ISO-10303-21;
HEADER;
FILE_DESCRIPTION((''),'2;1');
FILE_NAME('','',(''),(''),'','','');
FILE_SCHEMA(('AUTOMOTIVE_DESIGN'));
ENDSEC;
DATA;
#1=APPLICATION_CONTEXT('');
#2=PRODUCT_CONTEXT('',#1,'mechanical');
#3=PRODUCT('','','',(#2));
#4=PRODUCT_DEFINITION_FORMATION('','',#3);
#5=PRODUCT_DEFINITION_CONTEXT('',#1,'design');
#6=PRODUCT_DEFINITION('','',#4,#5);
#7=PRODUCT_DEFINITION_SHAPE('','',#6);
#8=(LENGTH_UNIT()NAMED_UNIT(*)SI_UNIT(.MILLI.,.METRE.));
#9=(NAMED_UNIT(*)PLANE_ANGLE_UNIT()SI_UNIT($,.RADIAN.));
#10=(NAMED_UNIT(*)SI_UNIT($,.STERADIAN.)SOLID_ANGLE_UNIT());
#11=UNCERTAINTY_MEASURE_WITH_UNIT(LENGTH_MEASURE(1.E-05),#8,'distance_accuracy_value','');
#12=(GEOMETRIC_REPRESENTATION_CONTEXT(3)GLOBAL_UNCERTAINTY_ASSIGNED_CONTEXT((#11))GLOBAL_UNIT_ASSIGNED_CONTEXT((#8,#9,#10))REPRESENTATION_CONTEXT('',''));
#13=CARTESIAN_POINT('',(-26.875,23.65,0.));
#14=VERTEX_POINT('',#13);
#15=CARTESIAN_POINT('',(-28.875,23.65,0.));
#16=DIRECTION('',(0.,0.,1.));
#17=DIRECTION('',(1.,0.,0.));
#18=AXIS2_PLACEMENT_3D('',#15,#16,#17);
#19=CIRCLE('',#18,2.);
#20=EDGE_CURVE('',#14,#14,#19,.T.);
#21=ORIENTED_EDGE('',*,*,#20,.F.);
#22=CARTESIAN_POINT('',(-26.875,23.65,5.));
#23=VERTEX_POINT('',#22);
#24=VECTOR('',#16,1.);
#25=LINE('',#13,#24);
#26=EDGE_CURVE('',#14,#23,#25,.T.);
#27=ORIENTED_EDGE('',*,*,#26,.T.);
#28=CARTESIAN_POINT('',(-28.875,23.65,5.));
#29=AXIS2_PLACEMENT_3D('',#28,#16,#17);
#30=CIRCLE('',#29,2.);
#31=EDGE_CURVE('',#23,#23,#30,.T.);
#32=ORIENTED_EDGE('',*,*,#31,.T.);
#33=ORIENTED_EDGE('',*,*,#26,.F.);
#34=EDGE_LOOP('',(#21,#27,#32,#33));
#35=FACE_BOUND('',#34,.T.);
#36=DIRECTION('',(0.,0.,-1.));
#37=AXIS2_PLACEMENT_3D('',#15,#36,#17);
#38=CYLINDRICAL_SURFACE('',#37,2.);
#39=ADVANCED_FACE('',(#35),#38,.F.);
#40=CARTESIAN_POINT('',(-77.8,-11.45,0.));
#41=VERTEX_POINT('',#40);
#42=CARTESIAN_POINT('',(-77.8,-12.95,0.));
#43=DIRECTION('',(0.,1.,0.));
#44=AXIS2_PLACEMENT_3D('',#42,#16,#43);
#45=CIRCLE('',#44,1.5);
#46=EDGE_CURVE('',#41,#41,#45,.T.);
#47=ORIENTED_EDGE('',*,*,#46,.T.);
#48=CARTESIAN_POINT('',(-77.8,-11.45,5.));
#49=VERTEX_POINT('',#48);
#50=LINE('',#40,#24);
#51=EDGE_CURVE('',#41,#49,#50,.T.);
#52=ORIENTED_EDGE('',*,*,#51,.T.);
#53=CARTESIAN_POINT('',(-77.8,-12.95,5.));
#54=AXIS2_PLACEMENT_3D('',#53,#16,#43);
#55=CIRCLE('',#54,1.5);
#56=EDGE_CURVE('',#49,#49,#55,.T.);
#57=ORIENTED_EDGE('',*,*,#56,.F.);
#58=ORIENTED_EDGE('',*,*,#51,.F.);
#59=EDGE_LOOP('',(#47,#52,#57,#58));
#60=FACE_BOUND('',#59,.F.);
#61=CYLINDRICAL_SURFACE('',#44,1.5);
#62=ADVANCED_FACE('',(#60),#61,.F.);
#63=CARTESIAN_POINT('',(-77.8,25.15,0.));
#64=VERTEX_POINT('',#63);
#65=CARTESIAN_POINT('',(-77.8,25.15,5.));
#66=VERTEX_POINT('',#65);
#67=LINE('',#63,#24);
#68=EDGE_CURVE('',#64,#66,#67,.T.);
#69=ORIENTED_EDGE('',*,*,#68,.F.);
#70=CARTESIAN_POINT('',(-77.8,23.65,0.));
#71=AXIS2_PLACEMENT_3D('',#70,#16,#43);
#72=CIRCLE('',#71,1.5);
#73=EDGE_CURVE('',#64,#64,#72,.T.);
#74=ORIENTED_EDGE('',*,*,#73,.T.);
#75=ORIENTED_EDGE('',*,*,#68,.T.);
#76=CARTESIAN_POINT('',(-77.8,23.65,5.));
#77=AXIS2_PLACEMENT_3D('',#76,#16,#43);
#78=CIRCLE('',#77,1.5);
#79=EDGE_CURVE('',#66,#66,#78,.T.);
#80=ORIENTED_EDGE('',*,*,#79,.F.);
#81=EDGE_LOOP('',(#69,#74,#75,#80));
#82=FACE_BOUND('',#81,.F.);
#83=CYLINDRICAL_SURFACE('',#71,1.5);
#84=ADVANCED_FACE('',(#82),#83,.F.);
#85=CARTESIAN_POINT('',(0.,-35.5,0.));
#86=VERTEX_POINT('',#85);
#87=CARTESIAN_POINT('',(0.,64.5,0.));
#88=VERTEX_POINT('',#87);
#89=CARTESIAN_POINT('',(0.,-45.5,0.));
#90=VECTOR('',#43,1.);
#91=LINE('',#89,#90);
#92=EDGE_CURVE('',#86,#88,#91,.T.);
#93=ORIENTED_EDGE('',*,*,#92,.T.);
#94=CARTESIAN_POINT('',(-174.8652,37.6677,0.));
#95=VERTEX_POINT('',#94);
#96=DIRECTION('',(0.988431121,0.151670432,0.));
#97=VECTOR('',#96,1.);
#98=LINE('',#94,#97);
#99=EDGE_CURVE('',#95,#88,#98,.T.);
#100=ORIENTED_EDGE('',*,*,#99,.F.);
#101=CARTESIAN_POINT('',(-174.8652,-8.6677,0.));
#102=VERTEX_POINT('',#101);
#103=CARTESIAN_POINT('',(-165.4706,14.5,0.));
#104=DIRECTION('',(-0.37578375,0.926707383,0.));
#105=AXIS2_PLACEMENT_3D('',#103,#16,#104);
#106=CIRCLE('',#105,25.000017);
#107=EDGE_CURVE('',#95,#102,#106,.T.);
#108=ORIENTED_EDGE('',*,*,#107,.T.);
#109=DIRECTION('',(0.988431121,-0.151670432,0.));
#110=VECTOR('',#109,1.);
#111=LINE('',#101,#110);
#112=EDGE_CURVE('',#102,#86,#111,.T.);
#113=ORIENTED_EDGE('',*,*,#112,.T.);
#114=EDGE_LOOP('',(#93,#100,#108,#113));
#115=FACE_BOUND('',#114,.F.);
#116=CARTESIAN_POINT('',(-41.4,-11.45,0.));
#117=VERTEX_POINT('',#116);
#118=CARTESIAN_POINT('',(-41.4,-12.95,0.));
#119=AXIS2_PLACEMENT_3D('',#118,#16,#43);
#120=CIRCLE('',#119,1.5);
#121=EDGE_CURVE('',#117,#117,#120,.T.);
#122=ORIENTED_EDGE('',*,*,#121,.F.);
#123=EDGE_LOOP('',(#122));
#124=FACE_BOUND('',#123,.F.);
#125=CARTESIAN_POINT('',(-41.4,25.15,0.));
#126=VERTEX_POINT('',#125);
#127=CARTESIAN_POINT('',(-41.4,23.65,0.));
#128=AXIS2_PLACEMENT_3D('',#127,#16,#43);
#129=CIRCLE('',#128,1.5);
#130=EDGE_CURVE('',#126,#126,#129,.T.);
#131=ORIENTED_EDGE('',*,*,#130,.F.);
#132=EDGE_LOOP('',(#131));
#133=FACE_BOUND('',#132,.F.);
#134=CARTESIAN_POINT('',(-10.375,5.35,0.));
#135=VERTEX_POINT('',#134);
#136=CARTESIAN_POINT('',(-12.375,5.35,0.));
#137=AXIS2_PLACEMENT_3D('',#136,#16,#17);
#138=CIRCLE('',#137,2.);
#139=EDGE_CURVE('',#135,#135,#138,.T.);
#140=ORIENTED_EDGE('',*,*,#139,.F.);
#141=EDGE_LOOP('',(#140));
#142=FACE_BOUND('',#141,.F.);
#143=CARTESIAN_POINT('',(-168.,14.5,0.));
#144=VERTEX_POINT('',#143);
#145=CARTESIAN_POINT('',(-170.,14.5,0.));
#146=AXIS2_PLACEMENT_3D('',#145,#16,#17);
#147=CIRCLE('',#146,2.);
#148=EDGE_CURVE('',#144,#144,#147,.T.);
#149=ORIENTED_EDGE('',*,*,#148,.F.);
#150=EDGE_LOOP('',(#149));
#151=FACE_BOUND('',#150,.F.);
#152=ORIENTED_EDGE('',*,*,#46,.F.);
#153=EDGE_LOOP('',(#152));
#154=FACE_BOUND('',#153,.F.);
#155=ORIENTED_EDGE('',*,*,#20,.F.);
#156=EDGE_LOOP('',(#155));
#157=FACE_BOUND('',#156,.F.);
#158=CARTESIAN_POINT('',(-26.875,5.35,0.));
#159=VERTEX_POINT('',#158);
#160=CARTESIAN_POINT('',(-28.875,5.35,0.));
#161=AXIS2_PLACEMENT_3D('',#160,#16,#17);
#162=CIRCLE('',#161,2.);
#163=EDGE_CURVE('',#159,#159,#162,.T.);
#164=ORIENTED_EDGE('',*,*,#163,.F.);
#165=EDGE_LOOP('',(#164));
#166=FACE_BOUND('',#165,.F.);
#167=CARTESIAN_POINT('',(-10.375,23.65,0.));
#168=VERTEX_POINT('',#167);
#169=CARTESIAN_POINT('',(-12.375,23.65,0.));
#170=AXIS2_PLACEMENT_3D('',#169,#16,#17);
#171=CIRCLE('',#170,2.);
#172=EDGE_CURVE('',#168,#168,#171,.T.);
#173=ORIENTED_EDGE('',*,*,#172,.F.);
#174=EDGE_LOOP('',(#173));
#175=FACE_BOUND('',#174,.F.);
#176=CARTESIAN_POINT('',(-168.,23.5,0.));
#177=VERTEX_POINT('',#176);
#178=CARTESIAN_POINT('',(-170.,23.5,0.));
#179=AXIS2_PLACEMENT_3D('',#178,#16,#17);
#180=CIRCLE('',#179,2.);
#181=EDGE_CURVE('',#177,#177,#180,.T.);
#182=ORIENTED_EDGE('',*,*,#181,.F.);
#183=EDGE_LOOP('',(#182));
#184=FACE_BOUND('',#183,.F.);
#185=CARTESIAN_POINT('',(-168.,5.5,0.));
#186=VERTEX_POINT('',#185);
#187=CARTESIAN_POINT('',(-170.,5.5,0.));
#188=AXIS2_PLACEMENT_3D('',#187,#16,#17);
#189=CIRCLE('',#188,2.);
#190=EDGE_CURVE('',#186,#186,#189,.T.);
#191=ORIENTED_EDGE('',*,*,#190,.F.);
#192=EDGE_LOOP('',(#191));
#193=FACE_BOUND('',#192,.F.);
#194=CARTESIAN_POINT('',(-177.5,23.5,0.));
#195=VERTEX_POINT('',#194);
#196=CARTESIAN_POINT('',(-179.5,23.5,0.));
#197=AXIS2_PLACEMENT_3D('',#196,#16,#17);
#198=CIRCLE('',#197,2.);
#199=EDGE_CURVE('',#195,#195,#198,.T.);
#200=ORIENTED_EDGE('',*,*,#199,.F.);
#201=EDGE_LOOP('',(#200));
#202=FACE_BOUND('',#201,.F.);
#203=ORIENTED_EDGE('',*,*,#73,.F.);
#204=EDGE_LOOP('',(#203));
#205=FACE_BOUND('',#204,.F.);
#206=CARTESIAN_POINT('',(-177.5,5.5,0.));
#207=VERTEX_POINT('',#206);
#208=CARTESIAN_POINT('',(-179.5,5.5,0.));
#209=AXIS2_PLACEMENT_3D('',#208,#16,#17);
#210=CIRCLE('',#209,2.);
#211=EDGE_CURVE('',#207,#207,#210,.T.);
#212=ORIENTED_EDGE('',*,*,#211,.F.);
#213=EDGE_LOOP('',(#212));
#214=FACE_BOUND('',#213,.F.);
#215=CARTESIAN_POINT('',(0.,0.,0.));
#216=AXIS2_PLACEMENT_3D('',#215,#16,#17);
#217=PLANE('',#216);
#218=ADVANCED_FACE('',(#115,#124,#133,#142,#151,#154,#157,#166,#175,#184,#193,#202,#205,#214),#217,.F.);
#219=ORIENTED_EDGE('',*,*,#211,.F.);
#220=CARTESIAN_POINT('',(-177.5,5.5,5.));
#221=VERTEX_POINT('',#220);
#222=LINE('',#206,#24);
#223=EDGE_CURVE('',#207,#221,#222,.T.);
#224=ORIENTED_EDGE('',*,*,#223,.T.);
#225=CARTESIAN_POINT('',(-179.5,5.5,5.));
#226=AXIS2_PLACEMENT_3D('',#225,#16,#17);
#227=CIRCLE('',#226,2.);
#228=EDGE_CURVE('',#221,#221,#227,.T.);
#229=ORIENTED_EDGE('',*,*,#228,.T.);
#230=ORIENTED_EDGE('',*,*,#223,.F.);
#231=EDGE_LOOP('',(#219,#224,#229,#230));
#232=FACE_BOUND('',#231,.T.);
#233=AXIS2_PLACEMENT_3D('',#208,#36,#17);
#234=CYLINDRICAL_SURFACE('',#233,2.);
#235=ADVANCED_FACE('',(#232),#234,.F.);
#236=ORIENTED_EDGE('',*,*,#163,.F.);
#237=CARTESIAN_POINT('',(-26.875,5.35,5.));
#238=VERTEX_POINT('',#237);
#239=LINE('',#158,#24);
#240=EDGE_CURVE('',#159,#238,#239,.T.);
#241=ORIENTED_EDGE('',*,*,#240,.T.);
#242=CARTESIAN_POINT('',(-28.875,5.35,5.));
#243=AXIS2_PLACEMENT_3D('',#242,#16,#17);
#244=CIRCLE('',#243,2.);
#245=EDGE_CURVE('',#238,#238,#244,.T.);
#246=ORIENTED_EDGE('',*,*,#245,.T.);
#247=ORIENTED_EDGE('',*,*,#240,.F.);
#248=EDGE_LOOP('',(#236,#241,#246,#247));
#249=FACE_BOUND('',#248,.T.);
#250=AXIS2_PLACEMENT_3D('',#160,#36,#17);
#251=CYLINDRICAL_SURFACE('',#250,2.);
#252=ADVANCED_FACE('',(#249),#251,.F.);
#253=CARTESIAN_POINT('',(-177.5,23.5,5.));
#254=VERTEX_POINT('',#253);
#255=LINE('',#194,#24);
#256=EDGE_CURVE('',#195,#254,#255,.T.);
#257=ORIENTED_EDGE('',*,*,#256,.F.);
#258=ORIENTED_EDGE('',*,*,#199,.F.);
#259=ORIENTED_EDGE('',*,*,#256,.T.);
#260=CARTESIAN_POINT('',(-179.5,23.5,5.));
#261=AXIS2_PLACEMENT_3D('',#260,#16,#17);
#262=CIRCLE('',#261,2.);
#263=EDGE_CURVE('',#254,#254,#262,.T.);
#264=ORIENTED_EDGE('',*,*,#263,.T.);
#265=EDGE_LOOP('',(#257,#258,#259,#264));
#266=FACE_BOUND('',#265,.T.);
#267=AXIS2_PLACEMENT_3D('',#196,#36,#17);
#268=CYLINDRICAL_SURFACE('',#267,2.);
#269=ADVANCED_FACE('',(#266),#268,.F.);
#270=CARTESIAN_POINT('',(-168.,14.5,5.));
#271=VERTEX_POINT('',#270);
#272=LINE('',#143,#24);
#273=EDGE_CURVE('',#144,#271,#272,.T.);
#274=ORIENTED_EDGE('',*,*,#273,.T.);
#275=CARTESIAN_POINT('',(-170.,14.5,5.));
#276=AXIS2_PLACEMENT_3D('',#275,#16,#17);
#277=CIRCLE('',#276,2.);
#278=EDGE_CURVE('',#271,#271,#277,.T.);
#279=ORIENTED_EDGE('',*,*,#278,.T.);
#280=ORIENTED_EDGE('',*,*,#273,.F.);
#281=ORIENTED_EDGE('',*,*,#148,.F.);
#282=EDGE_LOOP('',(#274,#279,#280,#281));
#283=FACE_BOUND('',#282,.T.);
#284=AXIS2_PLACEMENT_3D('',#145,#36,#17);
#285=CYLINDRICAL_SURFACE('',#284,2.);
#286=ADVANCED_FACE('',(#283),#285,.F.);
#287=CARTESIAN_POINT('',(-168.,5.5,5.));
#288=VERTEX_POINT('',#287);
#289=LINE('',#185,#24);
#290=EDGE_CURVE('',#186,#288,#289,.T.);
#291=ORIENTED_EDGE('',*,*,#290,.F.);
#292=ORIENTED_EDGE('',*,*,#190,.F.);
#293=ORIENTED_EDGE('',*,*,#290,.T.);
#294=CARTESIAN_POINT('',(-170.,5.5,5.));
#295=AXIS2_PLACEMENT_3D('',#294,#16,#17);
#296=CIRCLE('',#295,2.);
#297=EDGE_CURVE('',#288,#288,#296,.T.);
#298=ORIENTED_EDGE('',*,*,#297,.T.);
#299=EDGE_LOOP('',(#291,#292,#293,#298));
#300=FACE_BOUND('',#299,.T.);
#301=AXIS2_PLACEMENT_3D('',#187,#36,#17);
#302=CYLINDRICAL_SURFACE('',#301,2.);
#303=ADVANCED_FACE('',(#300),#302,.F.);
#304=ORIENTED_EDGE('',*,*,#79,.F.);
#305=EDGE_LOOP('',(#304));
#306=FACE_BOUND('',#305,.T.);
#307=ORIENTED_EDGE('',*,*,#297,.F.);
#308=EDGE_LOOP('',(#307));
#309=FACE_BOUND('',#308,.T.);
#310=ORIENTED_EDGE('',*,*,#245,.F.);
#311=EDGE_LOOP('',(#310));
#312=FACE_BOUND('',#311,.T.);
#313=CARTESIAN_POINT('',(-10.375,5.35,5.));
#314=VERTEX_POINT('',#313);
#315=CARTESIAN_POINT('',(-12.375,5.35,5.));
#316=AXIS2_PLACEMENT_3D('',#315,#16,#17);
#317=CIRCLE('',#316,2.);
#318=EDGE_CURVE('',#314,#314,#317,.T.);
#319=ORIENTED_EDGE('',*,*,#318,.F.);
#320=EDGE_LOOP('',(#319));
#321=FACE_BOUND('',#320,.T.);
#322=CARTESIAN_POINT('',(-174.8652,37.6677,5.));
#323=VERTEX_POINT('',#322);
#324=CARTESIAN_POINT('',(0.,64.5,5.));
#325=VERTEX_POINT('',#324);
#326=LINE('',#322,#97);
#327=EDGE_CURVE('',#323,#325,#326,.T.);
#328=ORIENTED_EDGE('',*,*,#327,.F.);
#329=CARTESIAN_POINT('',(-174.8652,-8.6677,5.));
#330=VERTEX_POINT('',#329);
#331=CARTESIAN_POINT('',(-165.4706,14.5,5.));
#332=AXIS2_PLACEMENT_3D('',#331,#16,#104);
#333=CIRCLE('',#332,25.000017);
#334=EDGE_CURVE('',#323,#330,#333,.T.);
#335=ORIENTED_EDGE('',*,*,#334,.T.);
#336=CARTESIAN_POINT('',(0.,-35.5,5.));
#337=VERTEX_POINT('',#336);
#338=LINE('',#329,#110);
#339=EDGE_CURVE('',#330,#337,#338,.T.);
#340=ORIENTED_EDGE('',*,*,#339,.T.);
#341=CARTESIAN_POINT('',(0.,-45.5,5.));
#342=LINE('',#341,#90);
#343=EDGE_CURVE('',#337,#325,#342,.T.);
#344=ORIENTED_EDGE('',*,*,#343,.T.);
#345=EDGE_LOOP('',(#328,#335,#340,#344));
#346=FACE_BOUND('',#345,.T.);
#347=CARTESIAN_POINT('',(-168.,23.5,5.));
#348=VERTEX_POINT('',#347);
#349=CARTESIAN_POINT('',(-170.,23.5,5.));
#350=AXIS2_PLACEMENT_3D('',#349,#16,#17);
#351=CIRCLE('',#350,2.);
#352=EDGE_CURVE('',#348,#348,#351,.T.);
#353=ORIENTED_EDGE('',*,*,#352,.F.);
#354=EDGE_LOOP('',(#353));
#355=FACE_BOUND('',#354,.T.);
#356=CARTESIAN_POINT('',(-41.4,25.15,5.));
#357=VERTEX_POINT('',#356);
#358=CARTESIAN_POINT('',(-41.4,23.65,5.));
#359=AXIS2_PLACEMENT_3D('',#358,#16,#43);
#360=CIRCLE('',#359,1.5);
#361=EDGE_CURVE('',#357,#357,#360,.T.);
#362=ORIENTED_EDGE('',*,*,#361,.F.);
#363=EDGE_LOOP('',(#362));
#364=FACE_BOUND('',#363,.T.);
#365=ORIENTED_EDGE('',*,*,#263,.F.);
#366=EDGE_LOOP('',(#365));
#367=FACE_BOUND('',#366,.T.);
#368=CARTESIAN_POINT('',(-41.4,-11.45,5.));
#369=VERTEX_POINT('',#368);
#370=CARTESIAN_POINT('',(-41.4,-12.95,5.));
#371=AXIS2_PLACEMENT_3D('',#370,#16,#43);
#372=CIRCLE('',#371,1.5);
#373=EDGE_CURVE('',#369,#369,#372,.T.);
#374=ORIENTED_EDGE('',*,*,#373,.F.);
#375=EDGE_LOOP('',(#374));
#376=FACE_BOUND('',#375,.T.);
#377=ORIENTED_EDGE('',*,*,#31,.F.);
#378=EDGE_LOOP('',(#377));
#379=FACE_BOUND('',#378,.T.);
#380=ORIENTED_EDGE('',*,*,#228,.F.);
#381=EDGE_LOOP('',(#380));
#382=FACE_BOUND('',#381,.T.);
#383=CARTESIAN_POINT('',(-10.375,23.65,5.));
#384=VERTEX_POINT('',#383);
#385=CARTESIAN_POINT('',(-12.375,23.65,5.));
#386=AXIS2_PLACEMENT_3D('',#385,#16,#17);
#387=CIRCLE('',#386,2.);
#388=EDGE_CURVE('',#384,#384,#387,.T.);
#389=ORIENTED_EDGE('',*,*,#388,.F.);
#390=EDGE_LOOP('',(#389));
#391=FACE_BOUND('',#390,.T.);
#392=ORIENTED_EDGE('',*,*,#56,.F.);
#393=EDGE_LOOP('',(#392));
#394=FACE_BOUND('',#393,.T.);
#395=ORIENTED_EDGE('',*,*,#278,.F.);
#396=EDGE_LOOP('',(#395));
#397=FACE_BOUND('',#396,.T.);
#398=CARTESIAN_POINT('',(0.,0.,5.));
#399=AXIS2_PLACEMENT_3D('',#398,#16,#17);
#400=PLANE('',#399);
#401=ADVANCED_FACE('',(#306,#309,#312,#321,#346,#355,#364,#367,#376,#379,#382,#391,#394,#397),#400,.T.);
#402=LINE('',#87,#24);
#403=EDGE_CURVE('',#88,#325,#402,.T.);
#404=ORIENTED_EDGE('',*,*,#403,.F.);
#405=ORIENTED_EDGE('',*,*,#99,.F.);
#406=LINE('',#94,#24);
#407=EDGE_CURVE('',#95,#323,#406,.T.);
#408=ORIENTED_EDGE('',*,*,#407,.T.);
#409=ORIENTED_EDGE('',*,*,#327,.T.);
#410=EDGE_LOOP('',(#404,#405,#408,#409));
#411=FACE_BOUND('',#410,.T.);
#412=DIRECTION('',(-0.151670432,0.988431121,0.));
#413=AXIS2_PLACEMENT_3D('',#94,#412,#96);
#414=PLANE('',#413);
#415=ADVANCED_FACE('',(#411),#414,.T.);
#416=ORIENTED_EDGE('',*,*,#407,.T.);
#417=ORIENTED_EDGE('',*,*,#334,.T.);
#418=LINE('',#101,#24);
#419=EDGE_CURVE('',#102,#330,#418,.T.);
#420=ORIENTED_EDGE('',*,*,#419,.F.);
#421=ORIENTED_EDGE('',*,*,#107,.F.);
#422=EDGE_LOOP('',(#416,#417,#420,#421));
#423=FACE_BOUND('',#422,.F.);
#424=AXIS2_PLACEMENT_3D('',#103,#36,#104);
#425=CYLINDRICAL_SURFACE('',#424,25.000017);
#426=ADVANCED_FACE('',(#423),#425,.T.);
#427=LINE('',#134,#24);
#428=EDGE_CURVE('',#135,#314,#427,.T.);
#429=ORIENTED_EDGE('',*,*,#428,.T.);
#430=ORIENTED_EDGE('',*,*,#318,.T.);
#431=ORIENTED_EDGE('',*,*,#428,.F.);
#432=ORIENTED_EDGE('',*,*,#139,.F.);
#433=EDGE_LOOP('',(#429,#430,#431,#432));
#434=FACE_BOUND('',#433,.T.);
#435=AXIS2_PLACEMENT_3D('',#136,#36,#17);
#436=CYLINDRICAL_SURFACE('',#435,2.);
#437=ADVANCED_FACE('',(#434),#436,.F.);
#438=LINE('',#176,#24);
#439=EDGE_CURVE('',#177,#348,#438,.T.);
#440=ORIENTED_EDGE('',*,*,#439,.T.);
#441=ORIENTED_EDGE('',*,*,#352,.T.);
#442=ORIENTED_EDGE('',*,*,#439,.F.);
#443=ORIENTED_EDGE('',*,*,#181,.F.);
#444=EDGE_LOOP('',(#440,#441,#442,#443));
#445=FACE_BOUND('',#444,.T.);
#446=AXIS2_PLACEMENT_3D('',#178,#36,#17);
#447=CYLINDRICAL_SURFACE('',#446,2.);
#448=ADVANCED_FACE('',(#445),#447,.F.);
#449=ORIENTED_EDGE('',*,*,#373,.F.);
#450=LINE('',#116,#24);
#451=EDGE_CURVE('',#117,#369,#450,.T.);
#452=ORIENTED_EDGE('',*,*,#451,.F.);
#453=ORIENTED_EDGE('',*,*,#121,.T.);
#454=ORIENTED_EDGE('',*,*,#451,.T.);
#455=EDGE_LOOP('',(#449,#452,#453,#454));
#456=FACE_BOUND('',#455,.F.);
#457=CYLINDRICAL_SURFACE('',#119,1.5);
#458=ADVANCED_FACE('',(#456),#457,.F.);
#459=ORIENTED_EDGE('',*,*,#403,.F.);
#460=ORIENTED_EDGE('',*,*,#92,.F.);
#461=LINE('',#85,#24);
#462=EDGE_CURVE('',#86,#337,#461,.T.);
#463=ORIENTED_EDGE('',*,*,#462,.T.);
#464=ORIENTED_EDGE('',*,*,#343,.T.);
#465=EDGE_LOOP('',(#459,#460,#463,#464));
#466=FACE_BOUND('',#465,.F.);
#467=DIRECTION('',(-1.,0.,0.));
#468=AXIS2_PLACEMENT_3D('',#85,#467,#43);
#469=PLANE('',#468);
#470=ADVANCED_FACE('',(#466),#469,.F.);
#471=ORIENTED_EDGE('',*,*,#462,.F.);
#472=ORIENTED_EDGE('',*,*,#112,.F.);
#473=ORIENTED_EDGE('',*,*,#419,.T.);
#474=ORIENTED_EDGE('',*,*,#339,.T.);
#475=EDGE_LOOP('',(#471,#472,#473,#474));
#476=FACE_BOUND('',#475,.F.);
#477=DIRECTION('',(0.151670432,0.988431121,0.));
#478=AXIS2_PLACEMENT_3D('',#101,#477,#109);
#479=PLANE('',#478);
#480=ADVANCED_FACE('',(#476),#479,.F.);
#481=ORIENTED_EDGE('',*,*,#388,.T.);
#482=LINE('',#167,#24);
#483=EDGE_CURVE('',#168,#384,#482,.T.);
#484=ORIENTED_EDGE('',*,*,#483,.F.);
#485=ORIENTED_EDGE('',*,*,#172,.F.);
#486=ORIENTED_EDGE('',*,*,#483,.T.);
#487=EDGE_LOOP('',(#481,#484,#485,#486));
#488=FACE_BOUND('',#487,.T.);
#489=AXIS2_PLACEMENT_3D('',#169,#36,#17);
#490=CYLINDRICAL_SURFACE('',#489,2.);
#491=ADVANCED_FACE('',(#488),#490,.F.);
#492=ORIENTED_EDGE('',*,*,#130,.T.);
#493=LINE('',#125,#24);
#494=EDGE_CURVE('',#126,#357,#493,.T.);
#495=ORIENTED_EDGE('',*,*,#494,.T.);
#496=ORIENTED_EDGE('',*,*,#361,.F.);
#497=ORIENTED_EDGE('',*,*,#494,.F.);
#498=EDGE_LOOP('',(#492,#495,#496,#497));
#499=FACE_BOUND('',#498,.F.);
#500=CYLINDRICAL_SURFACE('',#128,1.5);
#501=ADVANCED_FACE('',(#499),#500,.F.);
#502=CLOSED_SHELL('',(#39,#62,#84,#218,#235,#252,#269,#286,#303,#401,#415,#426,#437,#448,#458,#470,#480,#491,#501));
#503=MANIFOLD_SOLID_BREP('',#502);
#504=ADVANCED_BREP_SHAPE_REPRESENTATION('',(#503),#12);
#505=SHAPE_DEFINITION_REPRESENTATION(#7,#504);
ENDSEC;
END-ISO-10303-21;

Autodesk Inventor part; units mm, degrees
ref_plane "YZ Plane" through (0, 0, 0) normal (1, 0, 0) x (0, 1, 0)
ref_plane "XZ Plane" through (0, 0, 0) normal (0, 1, 0) x (-1, 0, 0)
ref_plane "XY Plane" through (0, 0, 0) normal (0, 0, 1) x (1, 0, 0)
sketch "Sketch1" plane through (0, 0, 0) normal (0, 0, 1) x (1, 0, 0)
  line L0 (0, -45.5) -> (0, 74.5) projected
  line L1 (0, -35.5) -> (0, 64.5)
  arc A0 (-174.8652, 37.6677) -> (-174.8652, -8.6677) centre (-165.4706, 14.5) ccw
  line L2 (-174.8652, -8.6677) -> (0, -35.5)
  line L3 (-174.8652, 37.6677) -> (0, 64.5)
  circle A1 centre (-179.5, 5.5) radius 2
  circle A2 centre (-179.5, 23.5) radius 2
  circle A3 centre (-170, 23.5) radius 2
  circle A4 centre (-170, 5.5) radius 2
  circle A5 centre (-28.875, 23.65) radius 2 projected
  circle A6 centre (-28.875, 5.35) radius 2 projected
  circle A7 centre (-12.375, 5.35) radius 2 projected
  circle A8 centre (-12.375, 23.65) radius 2 projected
  circle A9 centre (-170, 14.5) radius 2
  point P0 (-12.375, 14.5)
  point P1 (0, 29)
  dimension "d0" = 100
  dimension "d1" = 50
  dimension "d24" = 50
  dimension "d25" = 25
  dimension "d27" = 0
  dimension "d28" = 9
  dimension "d29" = 9
  dimension "d30" = 4
  dimension "d31" = 0
  dimension "d32" = 0
  dimension "d33" = 165.4706
extrude "Extrusion1" add sketch "Sketch1" along normal blind 5
sketch "Sketch2" plane through (0, 0, 0) normal (0, 0, -1) x (-1, 0, 0)
  circle A0 centre (28.875, 23.65) radius 2 projected
  line L0 (0, 74.5) -> (0, -45.5)
  line L1 (38, -15.9446) -> (38, 27.4554)
  circle A1 centre (41.4, 23.65) radius 1.5
  circle A2 centre (41.4, -12.95) radius 1.5
  line L2 (59.6, 45.3727) -> (59.6, -35.5339) construction
  circle A3 centre (77.8, 23.65) radius 1.5
  circle A4 centre (77.8, -12.95) radius 1.5
  point P0 (0, 0)
  dimension "d7" = 3.4
  dimension "d8" = 3
  dimension "d9" = 0
  dimension "d10" = 3
  dimension "d11" = 36.6
  dimension "d12" = 21.6
hole "Hole1" at (-41.4, -12.95, 0) at (-41.4, 23.65, 0) at (-77.8, 23.65, 0) at (-77.8, -12.95, 0) direction (0, 0, 1) diameter 3 end through all
equation "\"d1\" = 0.5 * d0"
properties part number "BaseParal" material "Acrylic"
